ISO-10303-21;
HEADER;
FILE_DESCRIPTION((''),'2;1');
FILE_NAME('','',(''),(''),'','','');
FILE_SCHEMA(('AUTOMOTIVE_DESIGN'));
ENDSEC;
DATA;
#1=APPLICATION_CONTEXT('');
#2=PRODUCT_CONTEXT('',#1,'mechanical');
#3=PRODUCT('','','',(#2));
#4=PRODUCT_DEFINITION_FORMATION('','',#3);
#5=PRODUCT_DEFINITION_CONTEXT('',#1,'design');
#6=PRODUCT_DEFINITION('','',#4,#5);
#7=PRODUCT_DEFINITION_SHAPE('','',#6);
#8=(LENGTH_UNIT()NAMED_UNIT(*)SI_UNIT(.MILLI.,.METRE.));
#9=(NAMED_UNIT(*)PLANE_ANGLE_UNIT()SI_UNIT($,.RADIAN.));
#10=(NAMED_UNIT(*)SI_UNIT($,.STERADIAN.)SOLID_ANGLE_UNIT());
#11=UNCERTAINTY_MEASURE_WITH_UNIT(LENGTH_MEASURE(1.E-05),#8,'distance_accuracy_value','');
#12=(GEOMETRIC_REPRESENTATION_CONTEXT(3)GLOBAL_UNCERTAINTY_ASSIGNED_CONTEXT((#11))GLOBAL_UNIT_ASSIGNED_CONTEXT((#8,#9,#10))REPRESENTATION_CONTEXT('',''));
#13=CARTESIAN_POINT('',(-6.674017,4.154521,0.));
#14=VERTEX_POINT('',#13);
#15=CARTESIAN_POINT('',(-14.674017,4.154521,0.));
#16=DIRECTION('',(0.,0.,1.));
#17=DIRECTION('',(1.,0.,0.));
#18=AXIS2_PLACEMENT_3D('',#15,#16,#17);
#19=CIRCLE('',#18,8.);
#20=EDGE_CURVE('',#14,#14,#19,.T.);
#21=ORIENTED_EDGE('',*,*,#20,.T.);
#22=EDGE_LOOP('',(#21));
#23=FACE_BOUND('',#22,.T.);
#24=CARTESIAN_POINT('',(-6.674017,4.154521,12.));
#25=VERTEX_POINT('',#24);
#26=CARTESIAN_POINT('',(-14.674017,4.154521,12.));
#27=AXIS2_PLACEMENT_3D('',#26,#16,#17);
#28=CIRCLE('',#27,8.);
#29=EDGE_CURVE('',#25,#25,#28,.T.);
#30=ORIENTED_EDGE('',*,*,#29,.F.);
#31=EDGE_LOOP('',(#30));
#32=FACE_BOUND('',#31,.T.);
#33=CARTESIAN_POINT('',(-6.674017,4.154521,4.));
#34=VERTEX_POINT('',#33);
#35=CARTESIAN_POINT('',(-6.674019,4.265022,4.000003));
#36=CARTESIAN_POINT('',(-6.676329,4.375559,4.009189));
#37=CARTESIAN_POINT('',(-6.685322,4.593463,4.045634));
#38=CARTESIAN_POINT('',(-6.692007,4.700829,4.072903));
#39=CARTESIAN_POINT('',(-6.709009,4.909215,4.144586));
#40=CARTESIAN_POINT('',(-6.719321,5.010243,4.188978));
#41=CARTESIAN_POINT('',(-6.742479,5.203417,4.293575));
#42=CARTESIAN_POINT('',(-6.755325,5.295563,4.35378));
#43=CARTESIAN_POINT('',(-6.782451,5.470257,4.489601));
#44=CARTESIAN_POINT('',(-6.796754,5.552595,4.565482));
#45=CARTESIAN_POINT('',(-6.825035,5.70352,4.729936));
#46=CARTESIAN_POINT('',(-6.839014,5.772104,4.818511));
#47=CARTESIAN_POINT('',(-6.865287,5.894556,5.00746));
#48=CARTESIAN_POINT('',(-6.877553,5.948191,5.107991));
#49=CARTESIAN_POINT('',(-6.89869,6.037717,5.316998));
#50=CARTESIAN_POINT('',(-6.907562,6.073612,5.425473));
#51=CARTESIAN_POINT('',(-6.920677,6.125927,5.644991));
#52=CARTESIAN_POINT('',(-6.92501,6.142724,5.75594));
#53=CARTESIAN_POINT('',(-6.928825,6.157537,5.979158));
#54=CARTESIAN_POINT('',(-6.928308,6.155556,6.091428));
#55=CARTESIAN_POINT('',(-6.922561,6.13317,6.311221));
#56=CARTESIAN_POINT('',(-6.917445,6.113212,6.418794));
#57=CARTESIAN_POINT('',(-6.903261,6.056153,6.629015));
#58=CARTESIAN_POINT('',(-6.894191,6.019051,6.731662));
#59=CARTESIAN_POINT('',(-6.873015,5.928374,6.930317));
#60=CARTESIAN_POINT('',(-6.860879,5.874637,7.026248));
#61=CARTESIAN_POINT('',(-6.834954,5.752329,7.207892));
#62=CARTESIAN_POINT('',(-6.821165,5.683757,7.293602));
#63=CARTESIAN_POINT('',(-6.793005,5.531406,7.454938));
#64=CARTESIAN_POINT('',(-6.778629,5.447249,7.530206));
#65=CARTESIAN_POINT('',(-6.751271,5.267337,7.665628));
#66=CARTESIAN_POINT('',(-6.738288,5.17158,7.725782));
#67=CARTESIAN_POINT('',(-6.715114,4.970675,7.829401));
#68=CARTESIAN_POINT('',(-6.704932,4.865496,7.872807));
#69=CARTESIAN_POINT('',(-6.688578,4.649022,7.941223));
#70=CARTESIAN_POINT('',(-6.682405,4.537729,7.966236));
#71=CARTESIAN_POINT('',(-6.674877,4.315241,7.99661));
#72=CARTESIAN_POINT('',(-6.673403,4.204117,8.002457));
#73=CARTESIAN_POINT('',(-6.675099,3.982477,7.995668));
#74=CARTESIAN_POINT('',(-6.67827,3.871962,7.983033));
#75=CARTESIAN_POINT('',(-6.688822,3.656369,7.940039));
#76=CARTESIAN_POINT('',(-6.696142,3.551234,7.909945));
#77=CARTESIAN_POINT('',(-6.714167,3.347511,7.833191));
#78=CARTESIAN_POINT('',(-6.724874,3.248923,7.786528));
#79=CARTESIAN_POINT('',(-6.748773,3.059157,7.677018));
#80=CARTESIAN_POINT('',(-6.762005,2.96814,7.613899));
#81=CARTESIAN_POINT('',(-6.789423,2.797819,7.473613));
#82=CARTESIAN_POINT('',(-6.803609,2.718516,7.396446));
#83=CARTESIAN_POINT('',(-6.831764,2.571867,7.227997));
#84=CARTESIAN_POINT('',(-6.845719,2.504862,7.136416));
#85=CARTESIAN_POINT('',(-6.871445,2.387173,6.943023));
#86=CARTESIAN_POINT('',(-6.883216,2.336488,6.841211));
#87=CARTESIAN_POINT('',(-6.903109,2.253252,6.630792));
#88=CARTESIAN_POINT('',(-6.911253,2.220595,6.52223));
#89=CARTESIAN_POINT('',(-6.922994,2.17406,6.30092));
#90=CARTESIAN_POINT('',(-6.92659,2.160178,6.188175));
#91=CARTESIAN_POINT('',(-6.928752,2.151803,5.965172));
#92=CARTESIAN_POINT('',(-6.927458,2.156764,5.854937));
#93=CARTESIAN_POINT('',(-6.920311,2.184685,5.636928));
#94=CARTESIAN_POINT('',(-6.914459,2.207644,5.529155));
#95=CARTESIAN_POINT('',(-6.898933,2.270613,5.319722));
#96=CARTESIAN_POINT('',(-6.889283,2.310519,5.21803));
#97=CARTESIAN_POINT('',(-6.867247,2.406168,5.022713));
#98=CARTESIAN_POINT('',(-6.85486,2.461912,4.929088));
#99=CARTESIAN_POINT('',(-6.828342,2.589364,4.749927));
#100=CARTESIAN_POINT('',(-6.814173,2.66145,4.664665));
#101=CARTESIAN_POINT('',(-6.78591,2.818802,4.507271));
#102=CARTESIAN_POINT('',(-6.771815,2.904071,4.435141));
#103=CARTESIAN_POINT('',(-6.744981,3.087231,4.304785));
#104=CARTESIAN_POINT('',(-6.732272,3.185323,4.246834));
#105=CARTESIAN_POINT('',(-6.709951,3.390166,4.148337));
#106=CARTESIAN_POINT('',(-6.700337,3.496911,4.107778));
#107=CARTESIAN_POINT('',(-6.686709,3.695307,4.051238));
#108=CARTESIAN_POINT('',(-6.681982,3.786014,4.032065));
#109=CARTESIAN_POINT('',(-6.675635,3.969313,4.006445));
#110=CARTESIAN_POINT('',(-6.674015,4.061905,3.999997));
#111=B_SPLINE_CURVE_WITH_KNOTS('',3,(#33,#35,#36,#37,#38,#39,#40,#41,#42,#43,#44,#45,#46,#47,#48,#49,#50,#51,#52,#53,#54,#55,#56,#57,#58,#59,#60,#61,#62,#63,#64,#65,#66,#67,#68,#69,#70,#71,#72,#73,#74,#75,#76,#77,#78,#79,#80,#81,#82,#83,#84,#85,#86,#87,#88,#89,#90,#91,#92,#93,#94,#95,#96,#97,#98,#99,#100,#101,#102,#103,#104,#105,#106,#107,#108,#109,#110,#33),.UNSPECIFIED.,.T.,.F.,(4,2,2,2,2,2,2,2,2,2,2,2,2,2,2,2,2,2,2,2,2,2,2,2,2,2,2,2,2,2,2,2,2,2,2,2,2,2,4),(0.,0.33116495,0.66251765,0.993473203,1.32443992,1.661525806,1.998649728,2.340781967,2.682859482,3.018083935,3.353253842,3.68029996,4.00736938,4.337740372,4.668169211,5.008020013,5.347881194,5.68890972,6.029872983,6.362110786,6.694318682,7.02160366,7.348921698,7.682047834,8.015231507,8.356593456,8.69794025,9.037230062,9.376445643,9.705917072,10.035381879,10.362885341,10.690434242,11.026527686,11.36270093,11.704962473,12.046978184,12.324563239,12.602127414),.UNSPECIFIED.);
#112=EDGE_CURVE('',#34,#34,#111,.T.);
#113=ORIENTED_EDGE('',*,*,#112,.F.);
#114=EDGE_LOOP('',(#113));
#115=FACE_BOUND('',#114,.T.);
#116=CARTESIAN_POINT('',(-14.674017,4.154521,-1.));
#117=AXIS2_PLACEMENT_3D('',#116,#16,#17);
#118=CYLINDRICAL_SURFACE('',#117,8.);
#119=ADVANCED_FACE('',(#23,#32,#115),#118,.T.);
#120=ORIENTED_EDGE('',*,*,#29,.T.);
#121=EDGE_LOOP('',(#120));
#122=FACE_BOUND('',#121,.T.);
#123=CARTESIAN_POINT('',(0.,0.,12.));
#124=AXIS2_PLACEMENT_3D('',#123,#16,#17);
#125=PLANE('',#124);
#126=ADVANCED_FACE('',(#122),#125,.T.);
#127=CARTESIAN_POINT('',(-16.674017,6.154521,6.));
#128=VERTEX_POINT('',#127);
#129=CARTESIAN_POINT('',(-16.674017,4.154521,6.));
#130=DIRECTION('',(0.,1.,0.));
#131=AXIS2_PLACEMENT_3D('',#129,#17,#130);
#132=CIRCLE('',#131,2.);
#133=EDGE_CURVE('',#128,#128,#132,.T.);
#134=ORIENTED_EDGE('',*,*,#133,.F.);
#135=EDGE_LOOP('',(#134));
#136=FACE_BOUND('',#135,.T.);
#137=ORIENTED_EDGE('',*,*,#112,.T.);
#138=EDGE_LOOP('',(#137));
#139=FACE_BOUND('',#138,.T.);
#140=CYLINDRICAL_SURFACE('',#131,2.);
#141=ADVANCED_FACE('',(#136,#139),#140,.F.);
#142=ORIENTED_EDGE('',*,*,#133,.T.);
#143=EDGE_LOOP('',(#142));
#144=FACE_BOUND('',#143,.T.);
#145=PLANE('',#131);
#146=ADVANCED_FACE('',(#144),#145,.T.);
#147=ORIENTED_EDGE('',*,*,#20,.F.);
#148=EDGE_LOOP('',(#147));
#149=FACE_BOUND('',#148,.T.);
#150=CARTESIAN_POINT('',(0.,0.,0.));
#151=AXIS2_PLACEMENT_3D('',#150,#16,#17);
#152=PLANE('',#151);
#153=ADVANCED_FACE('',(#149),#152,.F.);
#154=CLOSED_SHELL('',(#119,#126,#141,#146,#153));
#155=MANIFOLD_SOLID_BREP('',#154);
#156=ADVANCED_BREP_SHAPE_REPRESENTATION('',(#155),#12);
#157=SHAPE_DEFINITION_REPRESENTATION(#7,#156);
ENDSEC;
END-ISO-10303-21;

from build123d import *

# Parameters (mm, degrees)
SKETCH1_W           = 16
SKETCH1_H           = 16
BOSS_EXTRUDE1_DEPTH = 12
CUT_EXTRUDE1_DEPTH  = 13
SKETCH2_R           = 2
CUT_EXTRUDE2_DEPTH  = 10


with BuildPart() as part:
    # Sketch1 → Boss-Extrude1 (new body)
    with BuildSketch(Plane.XY):
        with Locations((-14.67401686, 4.154520967)):
            Rectangle(SKETCH1_W, SKETCH1_H)
    extrude(amount=BOSS_EXTRUDE1_DEPTH)

    # Sketch3 → Cut-Extrude1 (cut)
    with BuildSketch(Plane.XY.offset(12)):
        with BuildLine():
            Line((-6.67401686, 12.154520967), (-14.67401686, 12.154520967))
            ThreePointArc((-14.67401686, 12.154520967), (-9.017162611, 9.811375216), (-6.67401686, 4.154520967))
            Line((-6.67401686, 4.154520967), (-6.67401686, 12.154520967))
        make_face()
        with BuildLine():
            Line((-6.67401686, -3.845479033), (-6.67401686, 4.154520967))
            ThreePointArc((-6.67401686, 4.154520967), (-9.017162611, -1.502333283), (-14.67401686, -3.845479033))
            Line((-14.67401686, -3.845479033), (-6.67401686, -3.845479033))
        make_face()
        with BuildLine():
            Line((-14.67401686, 12.154520967), (-22.67401686, 12.154520967))
            Line((-22.67401686, 12.154520967), (-22.67401686, 4.154520967))
            ThreePointArc((-22.67401686, 4.154520967), (-20.33087111, 9.811375216), (-14.67401686, 12.154520967))
        make_face()
        with BuildLine():
            ThreePointArc((-14.67401686, -3.845479033), (-20.33087111, -1.502333283), (-22.67401686, 4.154520967))
            Line((-22.67401686, 4.154520967), (-22.67401686, -3.845479033))
            Line((-22.67401686, -3.845479033), (-14.67401686, -3.845479033))
        make_face()
    extrude(amount=-CUT_EXTRUDE1_DEPTH, mode=Mode.SUBTRACT)

    # Sketch2 → Cut-Extrude2 (cut)
    with BuildSketch(Plane(origin=(-6.67401686, 0, 0), x_dir=(0, 0, -1), z_dir=(1, 0, 0))):
        with Locations(Location((-6, 4.154520967, 0), (0, 0, 90))):
            Circle(SKETCH2_R)
    extrude(amount=-CUT_EXTRUDE2_DEPTH, mode=Mode.SUBTRACT)


solid = part.part
